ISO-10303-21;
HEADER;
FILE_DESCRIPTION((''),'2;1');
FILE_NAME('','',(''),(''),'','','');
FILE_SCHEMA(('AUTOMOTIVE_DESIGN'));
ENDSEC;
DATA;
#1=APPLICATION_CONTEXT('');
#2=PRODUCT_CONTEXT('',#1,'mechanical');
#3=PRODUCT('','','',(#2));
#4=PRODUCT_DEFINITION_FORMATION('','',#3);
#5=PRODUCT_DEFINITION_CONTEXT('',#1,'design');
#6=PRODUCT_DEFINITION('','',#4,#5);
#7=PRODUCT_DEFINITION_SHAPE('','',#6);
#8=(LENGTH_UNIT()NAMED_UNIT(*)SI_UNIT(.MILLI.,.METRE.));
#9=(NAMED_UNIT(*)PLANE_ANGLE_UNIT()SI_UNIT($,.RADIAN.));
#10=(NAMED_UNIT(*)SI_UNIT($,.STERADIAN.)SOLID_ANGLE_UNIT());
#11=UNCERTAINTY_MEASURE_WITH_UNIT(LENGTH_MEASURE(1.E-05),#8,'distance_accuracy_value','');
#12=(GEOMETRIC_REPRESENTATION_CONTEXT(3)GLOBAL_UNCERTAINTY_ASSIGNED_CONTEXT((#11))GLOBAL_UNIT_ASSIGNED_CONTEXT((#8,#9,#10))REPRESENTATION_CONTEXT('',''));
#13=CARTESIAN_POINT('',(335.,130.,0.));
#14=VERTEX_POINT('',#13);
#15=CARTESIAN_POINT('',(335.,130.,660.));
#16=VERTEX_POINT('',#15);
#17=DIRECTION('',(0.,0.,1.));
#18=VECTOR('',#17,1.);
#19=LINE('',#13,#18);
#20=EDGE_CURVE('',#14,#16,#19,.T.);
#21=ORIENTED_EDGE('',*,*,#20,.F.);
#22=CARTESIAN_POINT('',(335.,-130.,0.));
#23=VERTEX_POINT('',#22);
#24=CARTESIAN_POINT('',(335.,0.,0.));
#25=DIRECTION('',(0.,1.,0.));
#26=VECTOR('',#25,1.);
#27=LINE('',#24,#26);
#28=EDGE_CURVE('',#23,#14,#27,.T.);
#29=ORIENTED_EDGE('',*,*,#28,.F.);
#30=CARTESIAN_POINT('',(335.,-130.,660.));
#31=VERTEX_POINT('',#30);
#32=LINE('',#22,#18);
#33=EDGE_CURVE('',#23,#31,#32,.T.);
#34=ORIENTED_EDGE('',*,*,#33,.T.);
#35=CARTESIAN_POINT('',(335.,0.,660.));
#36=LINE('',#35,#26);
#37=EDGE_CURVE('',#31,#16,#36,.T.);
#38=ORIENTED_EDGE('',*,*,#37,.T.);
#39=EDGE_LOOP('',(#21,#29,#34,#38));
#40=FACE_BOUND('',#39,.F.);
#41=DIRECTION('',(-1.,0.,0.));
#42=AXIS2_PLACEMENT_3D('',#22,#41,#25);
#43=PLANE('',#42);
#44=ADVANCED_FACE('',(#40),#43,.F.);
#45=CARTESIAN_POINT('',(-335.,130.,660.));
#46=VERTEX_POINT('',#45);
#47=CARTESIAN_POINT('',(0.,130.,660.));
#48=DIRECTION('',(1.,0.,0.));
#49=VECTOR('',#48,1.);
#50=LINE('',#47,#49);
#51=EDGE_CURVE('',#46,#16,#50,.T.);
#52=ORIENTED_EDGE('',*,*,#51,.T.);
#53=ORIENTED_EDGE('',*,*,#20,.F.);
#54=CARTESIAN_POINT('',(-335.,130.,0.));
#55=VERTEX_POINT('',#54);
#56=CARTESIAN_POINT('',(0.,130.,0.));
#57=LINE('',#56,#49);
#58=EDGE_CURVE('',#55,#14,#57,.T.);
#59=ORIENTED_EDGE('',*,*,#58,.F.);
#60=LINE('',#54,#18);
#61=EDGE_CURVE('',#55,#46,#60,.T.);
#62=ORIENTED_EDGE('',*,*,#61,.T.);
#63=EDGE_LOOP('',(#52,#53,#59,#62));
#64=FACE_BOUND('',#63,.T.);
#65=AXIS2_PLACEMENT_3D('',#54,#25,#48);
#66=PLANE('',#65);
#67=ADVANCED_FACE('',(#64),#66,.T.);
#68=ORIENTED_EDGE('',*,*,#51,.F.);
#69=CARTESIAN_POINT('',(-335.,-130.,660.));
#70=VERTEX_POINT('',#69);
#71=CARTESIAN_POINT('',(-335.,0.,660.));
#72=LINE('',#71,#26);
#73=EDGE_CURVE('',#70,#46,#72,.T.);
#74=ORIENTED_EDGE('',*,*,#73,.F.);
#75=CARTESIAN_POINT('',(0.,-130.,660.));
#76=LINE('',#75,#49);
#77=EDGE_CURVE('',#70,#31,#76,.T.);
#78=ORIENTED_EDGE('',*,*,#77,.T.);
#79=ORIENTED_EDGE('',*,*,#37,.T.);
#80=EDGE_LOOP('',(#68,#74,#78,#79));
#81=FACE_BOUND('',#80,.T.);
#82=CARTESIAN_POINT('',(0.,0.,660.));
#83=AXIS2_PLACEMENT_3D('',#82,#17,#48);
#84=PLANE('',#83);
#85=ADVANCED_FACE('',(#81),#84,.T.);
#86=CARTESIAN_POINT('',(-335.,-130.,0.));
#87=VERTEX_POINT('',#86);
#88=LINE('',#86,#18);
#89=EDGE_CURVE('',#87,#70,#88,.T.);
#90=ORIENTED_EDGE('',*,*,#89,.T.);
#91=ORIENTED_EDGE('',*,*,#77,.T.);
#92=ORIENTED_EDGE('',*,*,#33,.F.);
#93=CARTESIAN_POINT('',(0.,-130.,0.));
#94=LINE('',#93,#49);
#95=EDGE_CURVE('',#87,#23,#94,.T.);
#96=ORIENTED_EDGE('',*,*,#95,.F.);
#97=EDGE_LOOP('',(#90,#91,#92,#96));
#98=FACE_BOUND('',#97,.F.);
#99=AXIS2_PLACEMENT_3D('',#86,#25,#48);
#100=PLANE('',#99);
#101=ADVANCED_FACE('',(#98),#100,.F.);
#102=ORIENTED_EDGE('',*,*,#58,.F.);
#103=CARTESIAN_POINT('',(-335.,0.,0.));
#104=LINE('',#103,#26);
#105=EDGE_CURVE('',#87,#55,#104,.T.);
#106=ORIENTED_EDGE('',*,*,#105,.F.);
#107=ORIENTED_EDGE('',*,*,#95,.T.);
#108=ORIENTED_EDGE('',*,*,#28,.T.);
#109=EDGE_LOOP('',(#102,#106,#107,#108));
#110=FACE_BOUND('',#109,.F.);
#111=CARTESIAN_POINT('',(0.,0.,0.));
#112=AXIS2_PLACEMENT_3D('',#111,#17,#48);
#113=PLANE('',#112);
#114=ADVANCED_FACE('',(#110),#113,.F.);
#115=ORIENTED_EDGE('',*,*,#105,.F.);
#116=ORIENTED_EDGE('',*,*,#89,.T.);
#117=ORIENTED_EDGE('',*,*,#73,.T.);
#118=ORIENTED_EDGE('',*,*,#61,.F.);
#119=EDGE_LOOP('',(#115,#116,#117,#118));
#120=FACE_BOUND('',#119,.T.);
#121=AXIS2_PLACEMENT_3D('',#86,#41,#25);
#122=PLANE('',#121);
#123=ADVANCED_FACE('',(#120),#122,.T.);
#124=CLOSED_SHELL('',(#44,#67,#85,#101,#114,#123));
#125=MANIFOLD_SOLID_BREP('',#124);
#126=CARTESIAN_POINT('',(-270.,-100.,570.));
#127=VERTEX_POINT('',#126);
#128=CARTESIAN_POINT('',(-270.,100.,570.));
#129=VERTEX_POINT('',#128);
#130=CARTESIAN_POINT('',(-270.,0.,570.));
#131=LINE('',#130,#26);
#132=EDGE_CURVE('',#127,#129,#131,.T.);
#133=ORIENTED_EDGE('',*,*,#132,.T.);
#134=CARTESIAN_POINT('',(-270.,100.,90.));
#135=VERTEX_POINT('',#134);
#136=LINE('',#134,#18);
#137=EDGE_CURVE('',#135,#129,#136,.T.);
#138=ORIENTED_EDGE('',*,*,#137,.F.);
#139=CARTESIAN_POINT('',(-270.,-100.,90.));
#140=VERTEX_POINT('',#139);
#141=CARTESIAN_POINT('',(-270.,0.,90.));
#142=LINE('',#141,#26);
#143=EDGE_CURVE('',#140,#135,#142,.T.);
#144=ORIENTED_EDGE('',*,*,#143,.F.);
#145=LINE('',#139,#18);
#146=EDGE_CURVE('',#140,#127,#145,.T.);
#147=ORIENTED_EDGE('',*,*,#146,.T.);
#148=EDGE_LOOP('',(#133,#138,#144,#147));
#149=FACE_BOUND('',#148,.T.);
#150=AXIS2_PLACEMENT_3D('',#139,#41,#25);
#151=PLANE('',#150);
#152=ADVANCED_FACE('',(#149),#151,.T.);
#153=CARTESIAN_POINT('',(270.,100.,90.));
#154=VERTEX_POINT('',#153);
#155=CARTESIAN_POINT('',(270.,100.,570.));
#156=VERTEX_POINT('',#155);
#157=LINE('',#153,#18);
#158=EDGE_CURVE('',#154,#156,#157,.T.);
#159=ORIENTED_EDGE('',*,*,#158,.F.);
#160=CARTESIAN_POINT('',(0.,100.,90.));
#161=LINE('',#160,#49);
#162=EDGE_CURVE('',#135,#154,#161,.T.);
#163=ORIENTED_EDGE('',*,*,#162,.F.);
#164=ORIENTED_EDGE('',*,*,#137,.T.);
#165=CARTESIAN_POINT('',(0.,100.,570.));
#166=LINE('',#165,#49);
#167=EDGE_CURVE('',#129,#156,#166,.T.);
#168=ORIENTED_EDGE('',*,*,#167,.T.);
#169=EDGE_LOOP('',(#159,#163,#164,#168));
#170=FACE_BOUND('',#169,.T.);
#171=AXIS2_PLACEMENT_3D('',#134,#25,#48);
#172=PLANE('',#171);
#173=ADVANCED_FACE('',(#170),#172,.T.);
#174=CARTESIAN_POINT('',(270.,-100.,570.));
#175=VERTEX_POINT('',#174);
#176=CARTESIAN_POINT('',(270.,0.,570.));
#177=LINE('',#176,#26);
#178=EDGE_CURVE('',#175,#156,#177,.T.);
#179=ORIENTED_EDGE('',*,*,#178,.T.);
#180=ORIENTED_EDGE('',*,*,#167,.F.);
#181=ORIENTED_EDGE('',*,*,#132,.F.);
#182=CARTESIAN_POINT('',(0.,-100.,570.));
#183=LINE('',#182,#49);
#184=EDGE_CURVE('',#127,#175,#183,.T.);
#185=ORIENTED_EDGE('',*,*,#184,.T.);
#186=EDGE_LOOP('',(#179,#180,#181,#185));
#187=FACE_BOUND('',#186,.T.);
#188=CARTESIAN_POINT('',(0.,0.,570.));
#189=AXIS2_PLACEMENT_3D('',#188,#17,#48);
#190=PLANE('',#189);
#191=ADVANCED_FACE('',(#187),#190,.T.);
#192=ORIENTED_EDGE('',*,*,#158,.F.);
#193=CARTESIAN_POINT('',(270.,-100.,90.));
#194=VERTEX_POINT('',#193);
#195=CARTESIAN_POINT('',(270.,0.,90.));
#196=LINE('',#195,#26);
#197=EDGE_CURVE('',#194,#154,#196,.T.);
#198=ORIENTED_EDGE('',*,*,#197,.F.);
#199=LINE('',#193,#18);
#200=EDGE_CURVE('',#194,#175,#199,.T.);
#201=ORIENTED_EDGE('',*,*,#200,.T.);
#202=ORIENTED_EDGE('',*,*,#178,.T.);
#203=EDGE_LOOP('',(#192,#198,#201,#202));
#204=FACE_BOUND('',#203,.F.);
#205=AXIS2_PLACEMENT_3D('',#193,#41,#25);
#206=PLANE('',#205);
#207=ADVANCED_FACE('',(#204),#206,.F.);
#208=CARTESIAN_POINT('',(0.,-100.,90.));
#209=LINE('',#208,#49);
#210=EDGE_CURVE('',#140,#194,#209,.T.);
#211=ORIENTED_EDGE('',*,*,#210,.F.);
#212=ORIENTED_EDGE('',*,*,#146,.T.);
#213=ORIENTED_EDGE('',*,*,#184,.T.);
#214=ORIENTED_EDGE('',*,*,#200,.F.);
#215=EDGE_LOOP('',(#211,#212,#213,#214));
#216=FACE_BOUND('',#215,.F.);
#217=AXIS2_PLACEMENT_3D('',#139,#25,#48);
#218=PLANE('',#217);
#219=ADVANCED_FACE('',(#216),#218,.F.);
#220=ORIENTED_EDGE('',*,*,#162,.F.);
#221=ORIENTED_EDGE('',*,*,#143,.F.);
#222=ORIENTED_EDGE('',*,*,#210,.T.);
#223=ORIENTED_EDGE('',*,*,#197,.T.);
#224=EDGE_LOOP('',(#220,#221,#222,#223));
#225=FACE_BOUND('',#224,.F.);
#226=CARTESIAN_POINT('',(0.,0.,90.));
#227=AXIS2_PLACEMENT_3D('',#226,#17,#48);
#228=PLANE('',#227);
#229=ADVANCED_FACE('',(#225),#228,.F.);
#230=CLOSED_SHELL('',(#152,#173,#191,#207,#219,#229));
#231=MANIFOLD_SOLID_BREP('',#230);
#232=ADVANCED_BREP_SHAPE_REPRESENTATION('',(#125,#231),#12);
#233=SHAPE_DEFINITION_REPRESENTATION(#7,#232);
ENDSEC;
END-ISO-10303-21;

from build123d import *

# Parameters (mm, degrees)
F1_W     = 540
F1_H     = 200
F2_DEPTH = 480
F3_W     = 670
F3_H     = 260
F4_DEPTH = 660


with BuildPart() as f2:
    # F1 (on offset) → F2 (new body)
    with BuildSketch(Plane.XY.offset(90)):
        Rectangle(F1_W, F1_H)
    extrude(amount=F2_DEPTH)


with BuildPart() as f4:
    # F3 (on Top) → F4 (new body)
    with BuildSketch(Plane.XY):
        Rectangle(F3_W, F3_H)
    extrude(amount=F4_DEPTH)


solid = Compound([f2.part, f4.part])
